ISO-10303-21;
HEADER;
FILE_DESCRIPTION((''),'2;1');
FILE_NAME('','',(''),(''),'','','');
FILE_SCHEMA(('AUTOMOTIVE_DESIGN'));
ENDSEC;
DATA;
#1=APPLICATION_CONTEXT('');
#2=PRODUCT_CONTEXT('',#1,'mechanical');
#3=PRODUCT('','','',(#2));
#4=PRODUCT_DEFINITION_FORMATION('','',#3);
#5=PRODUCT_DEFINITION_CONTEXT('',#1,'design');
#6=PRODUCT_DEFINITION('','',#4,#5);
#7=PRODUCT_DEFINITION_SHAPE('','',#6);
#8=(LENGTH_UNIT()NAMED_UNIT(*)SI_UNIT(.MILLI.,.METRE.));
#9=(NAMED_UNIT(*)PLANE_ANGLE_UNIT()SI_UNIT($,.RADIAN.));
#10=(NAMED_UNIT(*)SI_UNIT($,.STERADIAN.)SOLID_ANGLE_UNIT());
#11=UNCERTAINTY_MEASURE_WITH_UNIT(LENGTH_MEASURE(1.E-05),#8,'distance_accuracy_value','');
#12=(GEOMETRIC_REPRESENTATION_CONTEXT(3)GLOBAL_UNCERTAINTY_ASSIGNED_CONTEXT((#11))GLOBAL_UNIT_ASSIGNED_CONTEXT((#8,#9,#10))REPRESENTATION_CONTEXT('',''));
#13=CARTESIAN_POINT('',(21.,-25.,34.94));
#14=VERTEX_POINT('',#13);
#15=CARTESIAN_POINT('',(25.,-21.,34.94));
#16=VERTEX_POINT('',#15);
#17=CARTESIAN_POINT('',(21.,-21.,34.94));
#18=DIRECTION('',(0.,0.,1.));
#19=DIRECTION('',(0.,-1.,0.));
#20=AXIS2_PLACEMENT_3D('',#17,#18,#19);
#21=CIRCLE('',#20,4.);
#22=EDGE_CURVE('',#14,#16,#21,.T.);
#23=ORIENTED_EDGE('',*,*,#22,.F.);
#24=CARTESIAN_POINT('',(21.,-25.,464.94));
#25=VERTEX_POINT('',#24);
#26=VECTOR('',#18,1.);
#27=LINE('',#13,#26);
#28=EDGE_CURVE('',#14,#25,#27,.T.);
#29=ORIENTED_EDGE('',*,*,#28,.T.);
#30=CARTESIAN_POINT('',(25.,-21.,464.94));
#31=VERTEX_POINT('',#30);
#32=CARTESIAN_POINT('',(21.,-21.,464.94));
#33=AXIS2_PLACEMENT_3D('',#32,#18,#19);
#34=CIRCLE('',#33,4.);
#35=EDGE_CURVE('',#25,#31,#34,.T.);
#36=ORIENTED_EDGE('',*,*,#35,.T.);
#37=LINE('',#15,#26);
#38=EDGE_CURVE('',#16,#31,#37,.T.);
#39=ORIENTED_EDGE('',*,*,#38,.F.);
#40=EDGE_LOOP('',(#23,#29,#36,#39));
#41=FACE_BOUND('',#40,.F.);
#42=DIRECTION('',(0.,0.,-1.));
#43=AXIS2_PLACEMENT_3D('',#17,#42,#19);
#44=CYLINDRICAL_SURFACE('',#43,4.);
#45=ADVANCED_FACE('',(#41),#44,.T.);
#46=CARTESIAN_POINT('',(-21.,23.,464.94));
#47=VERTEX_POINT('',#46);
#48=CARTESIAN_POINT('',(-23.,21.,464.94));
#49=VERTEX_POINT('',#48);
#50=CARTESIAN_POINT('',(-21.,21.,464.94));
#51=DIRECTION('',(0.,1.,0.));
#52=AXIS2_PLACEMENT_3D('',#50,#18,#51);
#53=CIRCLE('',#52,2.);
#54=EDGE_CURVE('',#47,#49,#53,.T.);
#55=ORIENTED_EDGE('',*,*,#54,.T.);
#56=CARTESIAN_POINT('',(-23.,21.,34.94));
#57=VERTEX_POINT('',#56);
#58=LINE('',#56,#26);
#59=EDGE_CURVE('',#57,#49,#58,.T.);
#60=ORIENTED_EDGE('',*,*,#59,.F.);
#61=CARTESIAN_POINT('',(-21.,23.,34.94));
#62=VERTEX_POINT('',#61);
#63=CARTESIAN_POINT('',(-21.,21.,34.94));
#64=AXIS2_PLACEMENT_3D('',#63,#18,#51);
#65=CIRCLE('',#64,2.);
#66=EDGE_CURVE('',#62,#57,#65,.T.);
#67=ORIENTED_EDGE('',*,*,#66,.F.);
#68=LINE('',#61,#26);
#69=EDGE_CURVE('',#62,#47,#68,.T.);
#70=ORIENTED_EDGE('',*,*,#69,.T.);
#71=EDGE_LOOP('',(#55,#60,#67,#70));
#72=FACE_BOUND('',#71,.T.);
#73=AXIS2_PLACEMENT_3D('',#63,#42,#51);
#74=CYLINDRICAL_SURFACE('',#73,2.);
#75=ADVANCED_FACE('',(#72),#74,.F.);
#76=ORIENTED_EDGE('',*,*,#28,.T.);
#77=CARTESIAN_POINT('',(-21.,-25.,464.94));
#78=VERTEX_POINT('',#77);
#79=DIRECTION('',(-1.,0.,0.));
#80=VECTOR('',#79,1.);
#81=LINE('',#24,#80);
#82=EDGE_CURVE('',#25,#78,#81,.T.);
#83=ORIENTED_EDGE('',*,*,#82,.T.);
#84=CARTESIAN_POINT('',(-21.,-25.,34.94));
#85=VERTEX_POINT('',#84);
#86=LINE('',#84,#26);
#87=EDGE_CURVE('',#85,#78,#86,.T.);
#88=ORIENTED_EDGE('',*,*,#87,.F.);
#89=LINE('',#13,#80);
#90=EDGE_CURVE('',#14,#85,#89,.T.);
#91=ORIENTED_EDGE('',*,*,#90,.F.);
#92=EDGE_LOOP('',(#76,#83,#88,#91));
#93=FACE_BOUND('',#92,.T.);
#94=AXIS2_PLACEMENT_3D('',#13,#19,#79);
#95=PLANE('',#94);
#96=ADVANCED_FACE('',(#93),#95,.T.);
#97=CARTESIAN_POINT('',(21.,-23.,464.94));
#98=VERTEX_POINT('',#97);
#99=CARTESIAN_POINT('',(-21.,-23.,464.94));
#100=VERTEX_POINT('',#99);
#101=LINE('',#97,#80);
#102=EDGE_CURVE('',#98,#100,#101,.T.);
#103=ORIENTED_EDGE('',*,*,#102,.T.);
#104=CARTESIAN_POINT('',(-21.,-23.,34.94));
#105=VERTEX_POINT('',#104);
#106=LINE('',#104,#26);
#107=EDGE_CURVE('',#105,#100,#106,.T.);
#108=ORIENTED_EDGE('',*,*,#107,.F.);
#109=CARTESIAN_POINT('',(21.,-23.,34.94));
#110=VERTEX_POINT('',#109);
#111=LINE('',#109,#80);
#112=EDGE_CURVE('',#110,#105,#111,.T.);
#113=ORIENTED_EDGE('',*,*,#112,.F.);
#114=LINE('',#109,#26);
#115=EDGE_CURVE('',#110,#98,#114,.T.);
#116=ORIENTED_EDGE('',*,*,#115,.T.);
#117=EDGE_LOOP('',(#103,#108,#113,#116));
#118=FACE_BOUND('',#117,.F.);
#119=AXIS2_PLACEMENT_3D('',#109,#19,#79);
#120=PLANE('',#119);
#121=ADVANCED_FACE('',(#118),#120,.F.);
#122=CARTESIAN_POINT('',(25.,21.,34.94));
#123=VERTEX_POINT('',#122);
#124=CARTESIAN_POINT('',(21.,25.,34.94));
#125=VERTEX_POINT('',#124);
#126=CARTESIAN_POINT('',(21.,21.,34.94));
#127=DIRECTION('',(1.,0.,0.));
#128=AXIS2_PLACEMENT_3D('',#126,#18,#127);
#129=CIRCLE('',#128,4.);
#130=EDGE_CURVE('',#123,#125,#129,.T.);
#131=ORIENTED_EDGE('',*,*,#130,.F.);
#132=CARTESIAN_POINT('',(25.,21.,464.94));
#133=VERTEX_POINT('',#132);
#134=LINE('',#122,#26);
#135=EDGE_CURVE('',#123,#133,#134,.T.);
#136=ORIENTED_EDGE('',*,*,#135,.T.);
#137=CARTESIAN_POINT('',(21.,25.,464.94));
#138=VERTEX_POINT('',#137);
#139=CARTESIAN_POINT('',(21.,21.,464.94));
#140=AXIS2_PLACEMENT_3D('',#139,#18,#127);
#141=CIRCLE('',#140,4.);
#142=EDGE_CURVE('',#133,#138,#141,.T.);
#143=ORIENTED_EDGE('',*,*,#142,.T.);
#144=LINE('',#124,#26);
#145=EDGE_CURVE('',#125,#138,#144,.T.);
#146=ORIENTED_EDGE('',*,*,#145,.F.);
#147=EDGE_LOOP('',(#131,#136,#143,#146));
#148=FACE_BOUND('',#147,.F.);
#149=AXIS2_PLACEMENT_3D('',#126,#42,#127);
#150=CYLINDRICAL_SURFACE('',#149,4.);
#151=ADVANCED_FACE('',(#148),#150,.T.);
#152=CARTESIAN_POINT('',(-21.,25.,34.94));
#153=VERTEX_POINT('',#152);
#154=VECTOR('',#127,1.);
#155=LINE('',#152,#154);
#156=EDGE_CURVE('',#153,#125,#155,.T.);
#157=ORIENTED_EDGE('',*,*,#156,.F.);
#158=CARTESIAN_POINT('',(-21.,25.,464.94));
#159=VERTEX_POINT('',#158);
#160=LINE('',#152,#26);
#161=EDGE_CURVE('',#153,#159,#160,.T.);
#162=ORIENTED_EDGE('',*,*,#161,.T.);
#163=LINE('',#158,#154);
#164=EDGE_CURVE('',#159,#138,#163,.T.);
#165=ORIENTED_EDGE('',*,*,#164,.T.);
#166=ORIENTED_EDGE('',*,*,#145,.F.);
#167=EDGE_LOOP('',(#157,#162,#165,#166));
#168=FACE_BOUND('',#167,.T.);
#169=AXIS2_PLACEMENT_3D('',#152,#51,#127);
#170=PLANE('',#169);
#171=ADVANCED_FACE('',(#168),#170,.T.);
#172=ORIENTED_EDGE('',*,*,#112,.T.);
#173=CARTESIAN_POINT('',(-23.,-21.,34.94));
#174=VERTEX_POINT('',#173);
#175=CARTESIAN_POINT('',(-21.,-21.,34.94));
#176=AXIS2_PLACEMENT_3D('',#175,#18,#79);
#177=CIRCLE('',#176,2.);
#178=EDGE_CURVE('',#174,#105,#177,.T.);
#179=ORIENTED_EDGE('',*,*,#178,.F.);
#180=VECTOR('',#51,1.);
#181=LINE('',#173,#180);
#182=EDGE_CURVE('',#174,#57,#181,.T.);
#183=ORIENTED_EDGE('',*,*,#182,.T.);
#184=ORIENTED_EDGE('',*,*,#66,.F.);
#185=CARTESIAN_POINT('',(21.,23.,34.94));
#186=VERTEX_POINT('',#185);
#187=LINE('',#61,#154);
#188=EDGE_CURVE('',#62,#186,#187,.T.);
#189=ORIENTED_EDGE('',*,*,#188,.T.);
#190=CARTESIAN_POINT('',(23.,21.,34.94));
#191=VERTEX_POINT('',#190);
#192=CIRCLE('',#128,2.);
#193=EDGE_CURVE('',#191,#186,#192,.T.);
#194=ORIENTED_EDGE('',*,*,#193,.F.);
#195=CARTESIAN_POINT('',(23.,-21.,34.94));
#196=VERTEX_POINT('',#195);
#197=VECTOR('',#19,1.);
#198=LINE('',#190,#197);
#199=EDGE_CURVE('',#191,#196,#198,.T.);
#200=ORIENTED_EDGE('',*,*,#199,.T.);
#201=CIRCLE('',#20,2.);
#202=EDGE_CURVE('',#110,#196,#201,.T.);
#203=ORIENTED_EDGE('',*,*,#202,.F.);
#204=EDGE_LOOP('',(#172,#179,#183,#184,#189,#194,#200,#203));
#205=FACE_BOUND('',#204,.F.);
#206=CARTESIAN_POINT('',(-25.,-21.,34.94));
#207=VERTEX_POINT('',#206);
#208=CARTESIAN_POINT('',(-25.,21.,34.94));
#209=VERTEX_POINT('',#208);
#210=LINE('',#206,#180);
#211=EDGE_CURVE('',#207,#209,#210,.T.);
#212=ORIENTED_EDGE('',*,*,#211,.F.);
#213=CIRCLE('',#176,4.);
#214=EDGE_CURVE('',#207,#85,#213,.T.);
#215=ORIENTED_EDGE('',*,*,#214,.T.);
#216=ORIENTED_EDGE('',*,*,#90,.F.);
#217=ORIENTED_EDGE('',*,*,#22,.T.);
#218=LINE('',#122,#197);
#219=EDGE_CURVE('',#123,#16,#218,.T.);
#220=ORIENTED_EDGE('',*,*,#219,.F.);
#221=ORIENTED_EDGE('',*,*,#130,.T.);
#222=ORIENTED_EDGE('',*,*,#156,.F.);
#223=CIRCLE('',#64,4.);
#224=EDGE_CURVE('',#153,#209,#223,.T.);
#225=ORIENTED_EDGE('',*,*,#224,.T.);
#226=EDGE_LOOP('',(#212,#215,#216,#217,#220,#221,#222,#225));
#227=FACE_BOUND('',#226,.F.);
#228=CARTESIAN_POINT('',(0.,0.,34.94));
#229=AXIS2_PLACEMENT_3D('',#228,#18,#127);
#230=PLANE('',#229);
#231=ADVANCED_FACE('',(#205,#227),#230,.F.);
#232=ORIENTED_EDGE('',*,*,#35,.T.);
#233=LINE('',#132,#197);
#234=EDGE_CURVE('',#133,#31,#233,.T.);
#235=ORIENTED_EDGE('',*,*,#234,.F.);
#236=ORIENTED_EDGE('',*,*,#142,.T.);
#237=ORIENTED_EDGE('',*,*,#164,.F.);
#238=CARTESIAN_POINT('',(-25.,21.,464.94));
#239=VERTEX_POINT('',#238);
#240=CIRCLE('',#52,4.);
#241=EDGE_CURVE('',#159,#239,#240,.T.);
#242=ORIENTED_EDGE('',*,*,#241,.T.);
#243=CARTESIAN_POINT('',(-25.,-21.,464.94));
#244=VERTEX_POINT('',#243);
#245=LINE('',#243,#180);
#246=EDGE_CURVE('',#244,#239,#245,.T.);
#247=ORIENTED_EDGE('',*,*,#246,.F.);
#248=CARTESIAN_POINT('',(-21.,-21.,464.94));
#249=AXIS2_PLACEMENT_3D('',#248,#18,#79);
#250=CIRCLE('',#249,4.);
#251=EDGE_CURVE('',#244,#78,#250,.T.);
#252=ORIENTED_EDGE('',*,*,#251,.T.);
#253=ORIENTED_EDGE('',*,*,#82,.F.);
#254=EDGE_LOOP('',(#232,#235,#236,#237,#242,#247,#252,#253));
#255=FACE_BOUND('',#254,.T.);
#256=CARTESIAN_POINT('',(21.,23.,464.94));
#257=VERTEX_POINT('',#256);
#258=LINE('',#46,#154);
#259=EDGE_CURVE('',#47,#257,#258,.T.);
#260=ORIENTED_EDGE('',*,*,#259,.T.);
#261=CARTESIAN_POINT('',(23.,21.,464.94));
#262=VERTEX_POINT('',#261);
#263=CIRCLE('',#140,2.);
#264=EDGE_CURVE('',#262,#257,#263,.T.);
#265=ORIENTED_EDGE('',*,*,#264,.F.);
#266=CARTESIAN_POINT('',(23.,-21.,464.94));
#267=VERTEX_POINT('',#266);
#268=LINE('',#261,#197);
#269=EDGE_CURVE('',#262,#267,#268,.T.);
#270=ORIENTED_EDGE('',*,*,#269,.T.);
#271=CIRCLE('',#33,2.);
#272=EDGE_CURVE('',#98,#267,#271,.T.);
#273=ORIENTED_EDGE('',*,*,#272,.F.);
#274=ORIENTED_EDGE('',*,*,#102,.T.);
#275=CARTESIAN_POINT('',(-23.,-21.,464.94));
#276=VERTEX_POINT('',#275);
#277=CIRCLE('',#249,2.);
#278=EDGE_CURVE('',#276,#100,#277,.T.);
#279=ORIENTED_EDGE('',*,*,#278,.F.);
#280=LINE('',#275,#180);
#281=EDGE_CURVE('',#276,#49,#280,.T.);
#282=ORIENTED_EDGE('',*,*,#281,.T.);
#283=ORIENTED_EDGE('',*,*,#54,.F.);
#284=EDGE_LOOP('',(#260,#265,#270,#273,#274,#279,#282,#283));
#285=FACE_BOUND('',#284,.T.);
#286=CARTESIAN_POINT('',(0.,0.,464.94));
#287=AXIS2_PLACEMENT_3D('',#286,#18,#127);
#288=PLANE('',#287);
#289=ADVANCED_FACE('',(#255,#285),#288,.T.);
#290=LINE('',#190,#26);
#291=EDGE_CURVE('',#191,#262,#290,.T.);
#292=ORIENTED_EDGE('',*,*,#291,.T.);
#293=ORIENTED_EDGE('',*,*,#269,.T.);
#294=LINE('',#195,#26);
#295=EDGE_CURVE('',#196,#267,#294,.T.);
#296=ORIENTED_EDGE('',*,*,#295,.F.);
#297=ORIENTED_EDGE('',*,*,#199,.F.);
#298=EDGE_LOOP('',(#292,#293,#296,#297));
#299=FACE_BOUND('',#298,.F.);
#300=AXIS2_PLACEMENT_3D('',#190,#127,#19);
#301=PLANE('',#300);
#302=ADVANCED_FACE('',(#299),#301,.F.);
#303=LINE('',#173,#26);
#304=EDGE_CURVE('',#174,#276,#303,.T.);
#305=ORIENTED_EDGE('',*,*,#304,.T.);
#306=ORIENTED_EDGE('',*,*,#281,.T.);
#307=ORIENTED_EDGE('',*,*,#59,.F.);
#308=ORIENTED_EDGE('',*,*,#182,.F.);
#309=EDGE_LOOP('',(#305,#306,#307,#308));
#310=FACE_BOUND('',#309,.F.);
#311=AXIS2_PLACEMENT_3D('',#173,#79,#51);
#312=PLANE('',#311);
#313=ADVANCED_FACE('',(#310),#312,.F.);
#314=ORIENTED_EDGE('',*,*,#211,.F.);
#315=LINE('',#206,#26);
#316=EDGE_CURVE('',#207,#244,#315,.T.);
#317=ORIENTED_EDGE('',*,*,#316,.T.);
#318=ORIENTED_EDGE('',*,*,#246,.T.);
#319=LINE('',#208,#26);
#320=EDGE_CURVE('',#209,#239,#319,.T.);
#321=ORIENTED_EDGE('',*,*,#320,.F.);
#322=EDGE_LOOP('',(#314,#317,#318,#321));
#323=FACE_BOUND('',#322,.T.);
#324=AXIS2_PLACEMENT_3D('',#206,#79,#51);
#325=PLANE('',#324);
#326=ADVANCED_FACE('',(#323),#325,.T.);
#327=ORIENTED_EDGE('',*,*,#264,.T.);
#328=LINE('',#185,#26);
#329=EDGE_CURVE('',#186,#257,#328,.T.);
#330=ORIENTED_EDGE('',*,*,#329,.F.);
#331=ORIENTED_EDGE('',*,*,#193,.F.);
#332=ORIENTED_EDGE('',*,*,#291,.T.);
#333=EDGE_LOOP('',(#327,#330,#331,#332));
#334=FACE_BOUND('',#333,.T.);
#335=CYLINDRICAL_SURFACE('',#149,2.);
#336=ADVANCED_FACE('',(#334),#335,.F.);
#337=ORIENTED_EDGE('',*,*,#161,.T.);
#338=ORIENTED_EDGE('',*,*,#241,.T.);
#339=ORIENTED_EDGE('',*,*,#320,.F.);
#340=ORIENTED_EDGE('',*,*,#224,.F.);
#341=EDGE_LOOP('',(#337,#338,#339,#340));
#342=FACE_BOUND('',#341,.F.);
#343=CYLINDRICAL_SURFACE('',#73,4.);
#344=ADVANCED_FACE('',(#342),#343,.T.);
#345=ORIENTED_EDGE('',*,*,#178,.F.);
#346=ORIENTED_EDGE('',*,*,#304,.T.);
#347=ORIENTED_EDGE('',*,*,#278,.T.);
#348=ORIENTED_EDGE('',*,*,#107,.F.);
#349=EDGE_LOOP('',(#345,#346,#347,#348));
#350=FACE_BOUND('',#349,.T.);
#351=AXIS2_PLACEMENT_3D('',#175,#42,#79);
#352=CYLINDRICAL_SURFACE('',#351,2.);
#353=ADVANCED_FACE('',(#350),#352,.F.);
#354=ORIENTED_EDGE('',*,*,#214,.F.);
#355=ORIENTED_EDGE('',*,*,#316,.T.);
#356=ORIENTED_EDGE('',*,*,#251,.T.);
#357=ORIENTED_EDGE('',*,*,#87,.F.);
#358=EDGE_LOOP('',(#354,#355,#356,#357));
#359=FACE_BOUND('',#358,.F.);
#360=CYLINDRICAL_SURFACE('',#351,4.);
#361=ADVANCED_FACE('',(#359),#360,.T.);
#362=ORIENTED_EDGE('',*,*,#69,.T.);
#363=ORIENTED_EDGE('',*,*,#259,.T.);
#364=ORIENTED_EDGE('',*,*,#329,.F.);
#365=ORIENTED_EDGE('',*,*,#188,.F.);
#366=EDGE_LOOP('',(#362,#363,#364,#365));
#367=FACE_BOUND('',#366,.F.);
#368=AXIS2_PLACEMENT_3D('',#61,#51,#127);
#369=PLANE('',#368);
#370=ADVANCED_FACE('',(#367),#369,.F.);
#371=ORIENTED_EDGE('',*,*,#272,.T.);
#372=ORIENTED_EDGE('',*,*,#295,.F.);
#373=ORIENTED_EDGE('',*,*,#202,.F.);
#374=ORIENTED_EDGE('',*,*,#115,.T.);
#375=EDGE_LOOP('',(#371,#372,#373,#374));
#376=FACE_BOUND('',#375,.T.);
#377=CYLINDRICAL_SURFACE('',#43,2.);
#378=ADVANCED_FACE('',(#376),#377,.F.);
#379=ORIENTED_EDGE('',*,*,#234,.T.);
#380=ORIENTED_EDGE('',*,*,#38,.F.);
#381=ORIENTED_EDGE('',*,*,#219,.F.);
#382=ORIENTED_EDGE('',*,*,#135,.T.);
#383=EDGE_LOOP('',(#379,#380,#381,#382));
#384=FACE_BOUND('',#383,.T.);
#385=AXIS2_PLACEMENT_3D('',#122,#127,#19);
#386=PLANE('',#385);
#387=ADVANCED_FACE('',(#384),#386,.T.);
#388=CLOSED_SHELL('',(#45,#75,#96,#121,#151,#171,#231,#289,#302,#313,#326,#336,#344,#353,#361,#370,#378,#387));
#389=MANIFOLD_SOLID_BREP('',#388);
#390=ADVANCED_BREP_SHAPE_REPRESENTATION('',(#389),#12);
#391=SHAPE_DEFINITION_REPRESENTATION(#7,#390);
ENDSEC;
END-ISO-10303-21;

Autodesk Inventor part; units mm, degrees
ref_plane "Start Plane" through (0, 0, 34.94) normal (0, 0, 1) x (1, 0, 0)
ref_plane "End Plane" through (0, 0, 464.94) normal (0, 0, 1) x (1, 0, 0)
sketch "Sketch" plane through (0, 0, 0) normal (0, 0, 1) x (1, 0, 0)
  line L0 (-25, -21) -> (-25, 21)
  line L1 (-21, 25) -> (21, 25)
  line L2 (25, 21) -> (25, -21)
  line L3 (21, -25) -> (-21, -25)
  arc A0 (-25, -21) -> (-21, -25) centre (-21, -21) ccw
  arc A1 (25, 21) -> (21, 25) centre (21, 21) ccw
  arc A2 (-21, 25) -> (-25, 21) centre (-21, 21) ccw
  arc A3 (21, -25) -> (25, -21) centre (21, -21) ccw
  arc A4 (-21, 23) -> (-23, 21) centre (-21, 21) ccw
  line L4 (-21, 23) -> (21, 23)
  arc A5 (23, 21) -> (21, 23) centre (21, 21) ccw
  line L5 (23, 21) -> (23, -21)
  arc A6 (21, -23) -> (23, -21) centre (21, -21) ccw
  line L6 (21, -23) -> (-21, -23)
  arc A7 (-23, -21) -> (-21, -23) centre (-21, -21) ccw
  line L7 (-23, -21) -> (-23, 21)
  line L8 (0, 36.1598) -> (0, -36.1598) construction
  line L9 (-36.1598, 0) -> (36.1598, 0) construction
  dimension "d7" = 4
  dimension "d9" = 50
  dimension "d11" = 50
  dimension "d12" = 2
  dimension "d15" = 25
  dimension "d16" = 25
extrude "Body" add sketch "Sketch" along normal up to surface (430 mm away) from surface at 34.94
sketch "Sketch3" plane through (0, 0, 0) normal (0, 0, 1) x (1, 0, 0)
  line L0 (0, 0) -> (10, 0)
ref_plane "Work Plane3" through (0, 0, 0) normal (0, -1, 0) x (1, 0, 0)
sketch "Sketch4" plane through (0, 0, 0) normal (0, -1, 0) x (1, 0, 0)
  line L0 (-2, 34.94) -> (12, 34.94)
  line L1 (-2, 464.94) -> (12, 464.94)
  dimension "d18" = 430
ref_plane "Work Plane4" through (1905, 29, 34.94) normal (0, 0, -1) x (-1, 0, 0)
split "Split1" plane through (1905, 29, 34.94) removes the side toward (0, 0, -1)
ref_plane "Work Plane5" through (-405, 29, 464.94) normal (0, 0, 1) x (1, 0, 0)
split "Split2" plane through (-405, 29, 464.94) removes the side toward (0, 0, 1)
equation "\"d7\" = G_IR"
equation "\"d9\" = G_W"
equation "\"d11\" = G_H"
equation "\"d12\" = G_T"
equation "\"d15\" = 0.5 * d9"
equation "\"d16\" = 0.5 * d11"
equation "\"d3\" = G_L"
equation "\"G_W\" = 50"
equation "\"G_H\" = 50"
equation "\"G_T\" = 2"
equation "\"G_IR\" = 4"
equation "\"G_L\" = d18"
equation "\"G_OFFSET_START\" = -34.94003"
equation "\"G_OFFSET_END\" = -35.05997"
equation "\"d13\" = -G_OFFSET_START"
equation "\"d14\" = G_OFFSET_END + B_L"
equation "\"B_L\" = 500"
properties part number "ISO 10799-2 - 50x50x2 - 430" material "Steel, Galvanized"
